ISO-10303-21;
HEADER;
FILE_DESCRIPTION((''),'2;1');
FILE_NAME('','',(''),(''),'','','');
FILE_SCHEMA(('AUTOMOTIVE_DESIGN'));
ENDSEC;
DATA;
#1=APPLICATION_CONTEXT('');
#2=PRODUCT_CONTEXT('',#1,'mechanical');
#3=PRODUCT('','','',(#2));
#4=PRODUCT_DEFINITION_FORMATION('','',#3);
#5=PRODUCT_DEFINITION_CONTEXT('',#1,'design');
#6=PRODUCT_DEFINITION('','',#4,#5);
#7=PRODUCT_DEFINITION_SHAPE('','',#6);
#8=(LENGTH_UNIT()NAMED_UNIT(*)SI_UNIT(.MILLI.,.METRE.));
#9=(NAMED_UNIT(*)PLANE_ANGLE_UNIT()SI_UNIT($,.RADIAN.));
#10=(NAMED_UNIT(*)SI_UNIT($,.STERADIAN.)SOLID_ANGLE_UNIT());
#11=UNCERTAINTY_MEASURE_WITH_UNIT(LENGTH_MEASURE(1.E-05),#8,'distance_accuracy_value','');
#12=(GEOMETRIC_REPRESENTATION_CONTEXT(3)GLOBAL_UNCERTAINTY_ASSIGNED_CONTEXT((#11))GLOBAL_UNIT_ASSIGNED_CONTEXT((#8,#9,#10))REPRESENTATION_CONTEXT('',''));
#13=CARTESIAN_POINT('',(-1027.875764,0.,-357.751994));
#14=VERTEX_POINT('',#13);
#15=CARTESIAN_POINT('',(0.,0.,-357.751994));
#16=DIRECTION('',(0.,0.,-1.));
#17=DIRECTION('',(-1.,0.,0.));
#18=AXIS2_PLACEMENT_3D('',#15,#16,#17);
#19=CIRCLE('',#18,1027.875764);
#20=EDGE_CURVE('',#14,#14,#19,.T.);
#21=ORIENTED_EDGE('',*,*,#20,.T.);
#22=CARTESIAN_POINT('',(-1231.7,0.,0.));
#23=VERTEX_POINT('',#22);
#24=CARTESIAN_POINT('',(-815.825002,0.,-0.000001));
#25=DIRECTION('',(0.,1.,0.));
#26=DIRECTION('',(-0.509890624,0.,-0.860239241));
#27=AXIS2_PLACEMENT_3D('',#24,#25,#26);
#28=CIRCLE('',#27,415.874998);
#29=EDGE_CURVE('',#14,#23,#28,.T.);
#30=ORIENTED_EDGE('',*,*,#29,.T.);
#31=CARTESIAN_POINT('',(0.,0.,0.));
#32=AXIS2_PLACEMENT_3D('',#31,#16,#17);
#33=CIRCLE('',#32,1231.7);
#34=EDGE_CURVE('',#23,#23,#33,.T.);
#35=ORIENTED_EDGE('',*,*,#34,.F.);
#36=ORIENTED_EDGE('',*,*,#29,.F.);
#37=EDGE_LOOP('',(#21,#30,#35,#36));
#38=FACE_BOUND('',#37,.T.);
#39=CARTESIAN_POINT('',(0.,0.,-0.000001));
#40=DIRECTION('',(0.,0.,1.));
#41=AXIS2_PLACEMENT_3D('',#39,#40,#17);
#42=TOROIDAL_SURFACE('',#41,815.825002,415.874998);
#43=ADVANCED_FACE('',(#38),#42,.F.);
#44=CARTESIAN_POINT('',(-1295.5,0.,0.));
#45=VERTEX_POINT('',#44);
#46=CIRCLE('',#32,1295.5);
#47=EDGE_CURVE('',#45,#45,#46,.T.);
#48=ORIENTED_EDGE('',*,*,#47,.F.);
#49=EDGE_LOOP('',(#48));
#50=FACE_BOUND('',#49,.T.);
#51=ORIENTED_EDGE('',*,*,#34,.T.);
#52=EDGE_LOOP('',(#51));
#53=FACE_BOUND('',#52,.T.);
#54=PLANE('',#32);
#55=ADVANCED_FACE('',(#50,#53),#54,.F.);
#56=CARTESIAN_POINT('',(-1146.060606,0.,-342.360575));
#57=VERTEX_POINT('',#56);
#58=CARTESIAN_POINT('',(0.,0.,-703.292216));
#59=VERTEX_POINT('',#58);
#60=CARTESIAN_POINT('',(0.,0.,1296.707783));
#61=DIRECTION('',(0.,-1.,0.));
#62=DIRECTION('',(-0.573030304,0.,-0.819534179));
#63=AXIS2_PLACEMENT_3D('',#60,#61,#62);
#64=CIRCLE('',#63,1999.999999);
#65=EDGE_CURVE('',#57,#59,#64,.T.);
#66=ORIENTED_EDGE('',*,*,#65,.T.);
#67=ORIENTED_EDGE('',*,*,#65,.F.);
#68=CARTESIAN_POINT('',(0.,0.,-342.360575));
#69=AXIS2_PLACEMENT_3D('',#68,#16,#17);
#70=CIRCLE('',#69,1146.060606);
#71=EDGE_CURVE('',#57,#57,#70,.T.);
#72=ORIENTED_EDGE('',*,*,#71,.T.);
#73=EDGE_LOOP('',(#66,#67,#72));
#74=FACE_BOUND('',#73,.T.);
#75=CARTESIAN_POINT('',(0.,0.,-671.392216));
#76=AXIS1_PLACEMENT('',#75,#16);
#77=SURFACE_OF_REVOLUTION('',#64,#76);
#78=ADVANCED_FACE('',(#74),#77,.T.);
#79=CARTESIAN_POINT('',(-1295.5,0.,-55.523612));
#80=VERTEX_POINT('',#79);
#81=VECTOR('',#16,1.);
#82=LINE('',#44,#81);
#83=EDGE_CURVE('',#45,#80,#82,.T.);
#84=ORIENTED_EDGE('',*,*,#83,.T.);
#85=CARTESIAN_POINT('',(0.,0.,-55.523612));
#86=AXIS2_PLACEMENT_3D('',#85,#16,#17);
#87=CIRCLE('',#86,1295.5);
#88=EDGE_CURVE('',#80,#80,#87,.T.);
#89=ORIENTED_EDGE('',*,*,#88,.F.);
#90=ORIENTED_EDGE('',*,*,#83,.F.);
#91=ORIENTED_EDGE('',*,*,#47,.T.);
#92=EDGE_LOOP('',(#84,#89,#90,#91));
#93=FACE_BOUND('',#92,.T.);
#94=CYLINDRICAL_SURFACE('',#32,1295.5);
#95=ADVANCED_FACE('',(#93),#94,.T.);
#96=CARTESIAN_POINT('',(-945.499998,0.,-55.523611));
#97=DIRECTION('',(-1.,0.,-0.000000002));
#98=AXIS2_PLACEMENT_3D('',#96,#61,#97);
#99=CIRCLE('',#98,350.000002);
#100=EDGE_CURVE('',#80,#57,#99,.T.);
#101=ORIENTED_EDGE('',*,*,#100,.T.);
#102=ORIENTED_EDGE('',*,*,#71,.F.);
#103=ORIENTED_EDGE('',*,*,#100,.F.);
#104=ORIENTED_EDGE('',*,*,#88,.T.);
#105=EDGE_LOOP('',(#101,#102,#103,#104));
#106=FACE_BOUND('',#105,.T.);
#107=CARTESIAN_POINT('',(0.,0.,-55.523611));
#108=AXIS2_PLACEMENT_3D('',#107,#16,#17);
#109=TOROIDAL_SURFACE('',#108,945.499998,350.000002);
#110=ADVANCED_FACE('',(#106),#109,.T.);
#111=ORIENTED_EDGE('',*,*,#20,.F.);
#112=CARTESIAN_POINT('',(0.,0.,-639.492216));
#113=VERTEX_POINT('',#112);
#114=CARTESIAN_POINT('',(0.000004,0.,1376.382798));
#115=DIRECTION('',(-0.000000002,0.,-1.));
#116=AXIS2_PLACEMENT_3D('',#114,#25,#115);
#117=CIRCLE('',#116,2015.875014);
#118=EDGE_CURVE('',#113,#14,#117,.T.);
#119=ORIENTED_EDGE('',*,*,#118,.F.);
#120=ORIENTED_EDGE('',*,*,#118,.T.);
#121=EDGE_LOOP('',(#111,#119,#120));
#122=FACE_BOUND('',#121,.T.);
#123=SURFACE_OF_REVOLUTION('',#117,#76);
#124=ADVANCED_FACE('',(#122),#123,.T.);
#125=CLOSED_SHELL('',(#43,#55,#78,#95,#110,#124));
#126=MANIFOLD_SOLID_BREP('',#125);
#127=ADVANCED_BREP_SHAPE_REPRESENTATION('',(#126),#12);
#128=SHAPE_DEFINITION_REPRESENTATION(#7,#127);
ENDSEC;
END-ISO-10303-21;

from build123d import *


with BuildPart() as f1:
    # F0 (on Front) → F1 (revolve)
    with BuildSketch(Plane.XZ):
        with BuildLine():
            ThreePointArc((0, -639.492216), (-532.894487, -567.781684), (-1027.875764, -357.751994))
            ThreePointArc((-1027.875764, -357.751994), (-1177.168761, -205.870596), (-1231.7, 0))
            Line((-1231.7, 0), (-1295.5, 0))
            Line((-1295.5, 0), (-1295.5, -55.523612))
            ThreePointArc((-1295.5, -55.523612), (-1255.899913, -217.239084), (-1146.060606, -342.360575))
            ThreePointArc((-1146.060606, -342.360575), (-600.775865, -610.926447), (0, -703.292216))
            Line((0, -703.292216), (0, -639.492216))
        make_face()
    revolve(axis=Axis((0, 0, -671.392216), (0, 0, -1)))


solid = f1.part
